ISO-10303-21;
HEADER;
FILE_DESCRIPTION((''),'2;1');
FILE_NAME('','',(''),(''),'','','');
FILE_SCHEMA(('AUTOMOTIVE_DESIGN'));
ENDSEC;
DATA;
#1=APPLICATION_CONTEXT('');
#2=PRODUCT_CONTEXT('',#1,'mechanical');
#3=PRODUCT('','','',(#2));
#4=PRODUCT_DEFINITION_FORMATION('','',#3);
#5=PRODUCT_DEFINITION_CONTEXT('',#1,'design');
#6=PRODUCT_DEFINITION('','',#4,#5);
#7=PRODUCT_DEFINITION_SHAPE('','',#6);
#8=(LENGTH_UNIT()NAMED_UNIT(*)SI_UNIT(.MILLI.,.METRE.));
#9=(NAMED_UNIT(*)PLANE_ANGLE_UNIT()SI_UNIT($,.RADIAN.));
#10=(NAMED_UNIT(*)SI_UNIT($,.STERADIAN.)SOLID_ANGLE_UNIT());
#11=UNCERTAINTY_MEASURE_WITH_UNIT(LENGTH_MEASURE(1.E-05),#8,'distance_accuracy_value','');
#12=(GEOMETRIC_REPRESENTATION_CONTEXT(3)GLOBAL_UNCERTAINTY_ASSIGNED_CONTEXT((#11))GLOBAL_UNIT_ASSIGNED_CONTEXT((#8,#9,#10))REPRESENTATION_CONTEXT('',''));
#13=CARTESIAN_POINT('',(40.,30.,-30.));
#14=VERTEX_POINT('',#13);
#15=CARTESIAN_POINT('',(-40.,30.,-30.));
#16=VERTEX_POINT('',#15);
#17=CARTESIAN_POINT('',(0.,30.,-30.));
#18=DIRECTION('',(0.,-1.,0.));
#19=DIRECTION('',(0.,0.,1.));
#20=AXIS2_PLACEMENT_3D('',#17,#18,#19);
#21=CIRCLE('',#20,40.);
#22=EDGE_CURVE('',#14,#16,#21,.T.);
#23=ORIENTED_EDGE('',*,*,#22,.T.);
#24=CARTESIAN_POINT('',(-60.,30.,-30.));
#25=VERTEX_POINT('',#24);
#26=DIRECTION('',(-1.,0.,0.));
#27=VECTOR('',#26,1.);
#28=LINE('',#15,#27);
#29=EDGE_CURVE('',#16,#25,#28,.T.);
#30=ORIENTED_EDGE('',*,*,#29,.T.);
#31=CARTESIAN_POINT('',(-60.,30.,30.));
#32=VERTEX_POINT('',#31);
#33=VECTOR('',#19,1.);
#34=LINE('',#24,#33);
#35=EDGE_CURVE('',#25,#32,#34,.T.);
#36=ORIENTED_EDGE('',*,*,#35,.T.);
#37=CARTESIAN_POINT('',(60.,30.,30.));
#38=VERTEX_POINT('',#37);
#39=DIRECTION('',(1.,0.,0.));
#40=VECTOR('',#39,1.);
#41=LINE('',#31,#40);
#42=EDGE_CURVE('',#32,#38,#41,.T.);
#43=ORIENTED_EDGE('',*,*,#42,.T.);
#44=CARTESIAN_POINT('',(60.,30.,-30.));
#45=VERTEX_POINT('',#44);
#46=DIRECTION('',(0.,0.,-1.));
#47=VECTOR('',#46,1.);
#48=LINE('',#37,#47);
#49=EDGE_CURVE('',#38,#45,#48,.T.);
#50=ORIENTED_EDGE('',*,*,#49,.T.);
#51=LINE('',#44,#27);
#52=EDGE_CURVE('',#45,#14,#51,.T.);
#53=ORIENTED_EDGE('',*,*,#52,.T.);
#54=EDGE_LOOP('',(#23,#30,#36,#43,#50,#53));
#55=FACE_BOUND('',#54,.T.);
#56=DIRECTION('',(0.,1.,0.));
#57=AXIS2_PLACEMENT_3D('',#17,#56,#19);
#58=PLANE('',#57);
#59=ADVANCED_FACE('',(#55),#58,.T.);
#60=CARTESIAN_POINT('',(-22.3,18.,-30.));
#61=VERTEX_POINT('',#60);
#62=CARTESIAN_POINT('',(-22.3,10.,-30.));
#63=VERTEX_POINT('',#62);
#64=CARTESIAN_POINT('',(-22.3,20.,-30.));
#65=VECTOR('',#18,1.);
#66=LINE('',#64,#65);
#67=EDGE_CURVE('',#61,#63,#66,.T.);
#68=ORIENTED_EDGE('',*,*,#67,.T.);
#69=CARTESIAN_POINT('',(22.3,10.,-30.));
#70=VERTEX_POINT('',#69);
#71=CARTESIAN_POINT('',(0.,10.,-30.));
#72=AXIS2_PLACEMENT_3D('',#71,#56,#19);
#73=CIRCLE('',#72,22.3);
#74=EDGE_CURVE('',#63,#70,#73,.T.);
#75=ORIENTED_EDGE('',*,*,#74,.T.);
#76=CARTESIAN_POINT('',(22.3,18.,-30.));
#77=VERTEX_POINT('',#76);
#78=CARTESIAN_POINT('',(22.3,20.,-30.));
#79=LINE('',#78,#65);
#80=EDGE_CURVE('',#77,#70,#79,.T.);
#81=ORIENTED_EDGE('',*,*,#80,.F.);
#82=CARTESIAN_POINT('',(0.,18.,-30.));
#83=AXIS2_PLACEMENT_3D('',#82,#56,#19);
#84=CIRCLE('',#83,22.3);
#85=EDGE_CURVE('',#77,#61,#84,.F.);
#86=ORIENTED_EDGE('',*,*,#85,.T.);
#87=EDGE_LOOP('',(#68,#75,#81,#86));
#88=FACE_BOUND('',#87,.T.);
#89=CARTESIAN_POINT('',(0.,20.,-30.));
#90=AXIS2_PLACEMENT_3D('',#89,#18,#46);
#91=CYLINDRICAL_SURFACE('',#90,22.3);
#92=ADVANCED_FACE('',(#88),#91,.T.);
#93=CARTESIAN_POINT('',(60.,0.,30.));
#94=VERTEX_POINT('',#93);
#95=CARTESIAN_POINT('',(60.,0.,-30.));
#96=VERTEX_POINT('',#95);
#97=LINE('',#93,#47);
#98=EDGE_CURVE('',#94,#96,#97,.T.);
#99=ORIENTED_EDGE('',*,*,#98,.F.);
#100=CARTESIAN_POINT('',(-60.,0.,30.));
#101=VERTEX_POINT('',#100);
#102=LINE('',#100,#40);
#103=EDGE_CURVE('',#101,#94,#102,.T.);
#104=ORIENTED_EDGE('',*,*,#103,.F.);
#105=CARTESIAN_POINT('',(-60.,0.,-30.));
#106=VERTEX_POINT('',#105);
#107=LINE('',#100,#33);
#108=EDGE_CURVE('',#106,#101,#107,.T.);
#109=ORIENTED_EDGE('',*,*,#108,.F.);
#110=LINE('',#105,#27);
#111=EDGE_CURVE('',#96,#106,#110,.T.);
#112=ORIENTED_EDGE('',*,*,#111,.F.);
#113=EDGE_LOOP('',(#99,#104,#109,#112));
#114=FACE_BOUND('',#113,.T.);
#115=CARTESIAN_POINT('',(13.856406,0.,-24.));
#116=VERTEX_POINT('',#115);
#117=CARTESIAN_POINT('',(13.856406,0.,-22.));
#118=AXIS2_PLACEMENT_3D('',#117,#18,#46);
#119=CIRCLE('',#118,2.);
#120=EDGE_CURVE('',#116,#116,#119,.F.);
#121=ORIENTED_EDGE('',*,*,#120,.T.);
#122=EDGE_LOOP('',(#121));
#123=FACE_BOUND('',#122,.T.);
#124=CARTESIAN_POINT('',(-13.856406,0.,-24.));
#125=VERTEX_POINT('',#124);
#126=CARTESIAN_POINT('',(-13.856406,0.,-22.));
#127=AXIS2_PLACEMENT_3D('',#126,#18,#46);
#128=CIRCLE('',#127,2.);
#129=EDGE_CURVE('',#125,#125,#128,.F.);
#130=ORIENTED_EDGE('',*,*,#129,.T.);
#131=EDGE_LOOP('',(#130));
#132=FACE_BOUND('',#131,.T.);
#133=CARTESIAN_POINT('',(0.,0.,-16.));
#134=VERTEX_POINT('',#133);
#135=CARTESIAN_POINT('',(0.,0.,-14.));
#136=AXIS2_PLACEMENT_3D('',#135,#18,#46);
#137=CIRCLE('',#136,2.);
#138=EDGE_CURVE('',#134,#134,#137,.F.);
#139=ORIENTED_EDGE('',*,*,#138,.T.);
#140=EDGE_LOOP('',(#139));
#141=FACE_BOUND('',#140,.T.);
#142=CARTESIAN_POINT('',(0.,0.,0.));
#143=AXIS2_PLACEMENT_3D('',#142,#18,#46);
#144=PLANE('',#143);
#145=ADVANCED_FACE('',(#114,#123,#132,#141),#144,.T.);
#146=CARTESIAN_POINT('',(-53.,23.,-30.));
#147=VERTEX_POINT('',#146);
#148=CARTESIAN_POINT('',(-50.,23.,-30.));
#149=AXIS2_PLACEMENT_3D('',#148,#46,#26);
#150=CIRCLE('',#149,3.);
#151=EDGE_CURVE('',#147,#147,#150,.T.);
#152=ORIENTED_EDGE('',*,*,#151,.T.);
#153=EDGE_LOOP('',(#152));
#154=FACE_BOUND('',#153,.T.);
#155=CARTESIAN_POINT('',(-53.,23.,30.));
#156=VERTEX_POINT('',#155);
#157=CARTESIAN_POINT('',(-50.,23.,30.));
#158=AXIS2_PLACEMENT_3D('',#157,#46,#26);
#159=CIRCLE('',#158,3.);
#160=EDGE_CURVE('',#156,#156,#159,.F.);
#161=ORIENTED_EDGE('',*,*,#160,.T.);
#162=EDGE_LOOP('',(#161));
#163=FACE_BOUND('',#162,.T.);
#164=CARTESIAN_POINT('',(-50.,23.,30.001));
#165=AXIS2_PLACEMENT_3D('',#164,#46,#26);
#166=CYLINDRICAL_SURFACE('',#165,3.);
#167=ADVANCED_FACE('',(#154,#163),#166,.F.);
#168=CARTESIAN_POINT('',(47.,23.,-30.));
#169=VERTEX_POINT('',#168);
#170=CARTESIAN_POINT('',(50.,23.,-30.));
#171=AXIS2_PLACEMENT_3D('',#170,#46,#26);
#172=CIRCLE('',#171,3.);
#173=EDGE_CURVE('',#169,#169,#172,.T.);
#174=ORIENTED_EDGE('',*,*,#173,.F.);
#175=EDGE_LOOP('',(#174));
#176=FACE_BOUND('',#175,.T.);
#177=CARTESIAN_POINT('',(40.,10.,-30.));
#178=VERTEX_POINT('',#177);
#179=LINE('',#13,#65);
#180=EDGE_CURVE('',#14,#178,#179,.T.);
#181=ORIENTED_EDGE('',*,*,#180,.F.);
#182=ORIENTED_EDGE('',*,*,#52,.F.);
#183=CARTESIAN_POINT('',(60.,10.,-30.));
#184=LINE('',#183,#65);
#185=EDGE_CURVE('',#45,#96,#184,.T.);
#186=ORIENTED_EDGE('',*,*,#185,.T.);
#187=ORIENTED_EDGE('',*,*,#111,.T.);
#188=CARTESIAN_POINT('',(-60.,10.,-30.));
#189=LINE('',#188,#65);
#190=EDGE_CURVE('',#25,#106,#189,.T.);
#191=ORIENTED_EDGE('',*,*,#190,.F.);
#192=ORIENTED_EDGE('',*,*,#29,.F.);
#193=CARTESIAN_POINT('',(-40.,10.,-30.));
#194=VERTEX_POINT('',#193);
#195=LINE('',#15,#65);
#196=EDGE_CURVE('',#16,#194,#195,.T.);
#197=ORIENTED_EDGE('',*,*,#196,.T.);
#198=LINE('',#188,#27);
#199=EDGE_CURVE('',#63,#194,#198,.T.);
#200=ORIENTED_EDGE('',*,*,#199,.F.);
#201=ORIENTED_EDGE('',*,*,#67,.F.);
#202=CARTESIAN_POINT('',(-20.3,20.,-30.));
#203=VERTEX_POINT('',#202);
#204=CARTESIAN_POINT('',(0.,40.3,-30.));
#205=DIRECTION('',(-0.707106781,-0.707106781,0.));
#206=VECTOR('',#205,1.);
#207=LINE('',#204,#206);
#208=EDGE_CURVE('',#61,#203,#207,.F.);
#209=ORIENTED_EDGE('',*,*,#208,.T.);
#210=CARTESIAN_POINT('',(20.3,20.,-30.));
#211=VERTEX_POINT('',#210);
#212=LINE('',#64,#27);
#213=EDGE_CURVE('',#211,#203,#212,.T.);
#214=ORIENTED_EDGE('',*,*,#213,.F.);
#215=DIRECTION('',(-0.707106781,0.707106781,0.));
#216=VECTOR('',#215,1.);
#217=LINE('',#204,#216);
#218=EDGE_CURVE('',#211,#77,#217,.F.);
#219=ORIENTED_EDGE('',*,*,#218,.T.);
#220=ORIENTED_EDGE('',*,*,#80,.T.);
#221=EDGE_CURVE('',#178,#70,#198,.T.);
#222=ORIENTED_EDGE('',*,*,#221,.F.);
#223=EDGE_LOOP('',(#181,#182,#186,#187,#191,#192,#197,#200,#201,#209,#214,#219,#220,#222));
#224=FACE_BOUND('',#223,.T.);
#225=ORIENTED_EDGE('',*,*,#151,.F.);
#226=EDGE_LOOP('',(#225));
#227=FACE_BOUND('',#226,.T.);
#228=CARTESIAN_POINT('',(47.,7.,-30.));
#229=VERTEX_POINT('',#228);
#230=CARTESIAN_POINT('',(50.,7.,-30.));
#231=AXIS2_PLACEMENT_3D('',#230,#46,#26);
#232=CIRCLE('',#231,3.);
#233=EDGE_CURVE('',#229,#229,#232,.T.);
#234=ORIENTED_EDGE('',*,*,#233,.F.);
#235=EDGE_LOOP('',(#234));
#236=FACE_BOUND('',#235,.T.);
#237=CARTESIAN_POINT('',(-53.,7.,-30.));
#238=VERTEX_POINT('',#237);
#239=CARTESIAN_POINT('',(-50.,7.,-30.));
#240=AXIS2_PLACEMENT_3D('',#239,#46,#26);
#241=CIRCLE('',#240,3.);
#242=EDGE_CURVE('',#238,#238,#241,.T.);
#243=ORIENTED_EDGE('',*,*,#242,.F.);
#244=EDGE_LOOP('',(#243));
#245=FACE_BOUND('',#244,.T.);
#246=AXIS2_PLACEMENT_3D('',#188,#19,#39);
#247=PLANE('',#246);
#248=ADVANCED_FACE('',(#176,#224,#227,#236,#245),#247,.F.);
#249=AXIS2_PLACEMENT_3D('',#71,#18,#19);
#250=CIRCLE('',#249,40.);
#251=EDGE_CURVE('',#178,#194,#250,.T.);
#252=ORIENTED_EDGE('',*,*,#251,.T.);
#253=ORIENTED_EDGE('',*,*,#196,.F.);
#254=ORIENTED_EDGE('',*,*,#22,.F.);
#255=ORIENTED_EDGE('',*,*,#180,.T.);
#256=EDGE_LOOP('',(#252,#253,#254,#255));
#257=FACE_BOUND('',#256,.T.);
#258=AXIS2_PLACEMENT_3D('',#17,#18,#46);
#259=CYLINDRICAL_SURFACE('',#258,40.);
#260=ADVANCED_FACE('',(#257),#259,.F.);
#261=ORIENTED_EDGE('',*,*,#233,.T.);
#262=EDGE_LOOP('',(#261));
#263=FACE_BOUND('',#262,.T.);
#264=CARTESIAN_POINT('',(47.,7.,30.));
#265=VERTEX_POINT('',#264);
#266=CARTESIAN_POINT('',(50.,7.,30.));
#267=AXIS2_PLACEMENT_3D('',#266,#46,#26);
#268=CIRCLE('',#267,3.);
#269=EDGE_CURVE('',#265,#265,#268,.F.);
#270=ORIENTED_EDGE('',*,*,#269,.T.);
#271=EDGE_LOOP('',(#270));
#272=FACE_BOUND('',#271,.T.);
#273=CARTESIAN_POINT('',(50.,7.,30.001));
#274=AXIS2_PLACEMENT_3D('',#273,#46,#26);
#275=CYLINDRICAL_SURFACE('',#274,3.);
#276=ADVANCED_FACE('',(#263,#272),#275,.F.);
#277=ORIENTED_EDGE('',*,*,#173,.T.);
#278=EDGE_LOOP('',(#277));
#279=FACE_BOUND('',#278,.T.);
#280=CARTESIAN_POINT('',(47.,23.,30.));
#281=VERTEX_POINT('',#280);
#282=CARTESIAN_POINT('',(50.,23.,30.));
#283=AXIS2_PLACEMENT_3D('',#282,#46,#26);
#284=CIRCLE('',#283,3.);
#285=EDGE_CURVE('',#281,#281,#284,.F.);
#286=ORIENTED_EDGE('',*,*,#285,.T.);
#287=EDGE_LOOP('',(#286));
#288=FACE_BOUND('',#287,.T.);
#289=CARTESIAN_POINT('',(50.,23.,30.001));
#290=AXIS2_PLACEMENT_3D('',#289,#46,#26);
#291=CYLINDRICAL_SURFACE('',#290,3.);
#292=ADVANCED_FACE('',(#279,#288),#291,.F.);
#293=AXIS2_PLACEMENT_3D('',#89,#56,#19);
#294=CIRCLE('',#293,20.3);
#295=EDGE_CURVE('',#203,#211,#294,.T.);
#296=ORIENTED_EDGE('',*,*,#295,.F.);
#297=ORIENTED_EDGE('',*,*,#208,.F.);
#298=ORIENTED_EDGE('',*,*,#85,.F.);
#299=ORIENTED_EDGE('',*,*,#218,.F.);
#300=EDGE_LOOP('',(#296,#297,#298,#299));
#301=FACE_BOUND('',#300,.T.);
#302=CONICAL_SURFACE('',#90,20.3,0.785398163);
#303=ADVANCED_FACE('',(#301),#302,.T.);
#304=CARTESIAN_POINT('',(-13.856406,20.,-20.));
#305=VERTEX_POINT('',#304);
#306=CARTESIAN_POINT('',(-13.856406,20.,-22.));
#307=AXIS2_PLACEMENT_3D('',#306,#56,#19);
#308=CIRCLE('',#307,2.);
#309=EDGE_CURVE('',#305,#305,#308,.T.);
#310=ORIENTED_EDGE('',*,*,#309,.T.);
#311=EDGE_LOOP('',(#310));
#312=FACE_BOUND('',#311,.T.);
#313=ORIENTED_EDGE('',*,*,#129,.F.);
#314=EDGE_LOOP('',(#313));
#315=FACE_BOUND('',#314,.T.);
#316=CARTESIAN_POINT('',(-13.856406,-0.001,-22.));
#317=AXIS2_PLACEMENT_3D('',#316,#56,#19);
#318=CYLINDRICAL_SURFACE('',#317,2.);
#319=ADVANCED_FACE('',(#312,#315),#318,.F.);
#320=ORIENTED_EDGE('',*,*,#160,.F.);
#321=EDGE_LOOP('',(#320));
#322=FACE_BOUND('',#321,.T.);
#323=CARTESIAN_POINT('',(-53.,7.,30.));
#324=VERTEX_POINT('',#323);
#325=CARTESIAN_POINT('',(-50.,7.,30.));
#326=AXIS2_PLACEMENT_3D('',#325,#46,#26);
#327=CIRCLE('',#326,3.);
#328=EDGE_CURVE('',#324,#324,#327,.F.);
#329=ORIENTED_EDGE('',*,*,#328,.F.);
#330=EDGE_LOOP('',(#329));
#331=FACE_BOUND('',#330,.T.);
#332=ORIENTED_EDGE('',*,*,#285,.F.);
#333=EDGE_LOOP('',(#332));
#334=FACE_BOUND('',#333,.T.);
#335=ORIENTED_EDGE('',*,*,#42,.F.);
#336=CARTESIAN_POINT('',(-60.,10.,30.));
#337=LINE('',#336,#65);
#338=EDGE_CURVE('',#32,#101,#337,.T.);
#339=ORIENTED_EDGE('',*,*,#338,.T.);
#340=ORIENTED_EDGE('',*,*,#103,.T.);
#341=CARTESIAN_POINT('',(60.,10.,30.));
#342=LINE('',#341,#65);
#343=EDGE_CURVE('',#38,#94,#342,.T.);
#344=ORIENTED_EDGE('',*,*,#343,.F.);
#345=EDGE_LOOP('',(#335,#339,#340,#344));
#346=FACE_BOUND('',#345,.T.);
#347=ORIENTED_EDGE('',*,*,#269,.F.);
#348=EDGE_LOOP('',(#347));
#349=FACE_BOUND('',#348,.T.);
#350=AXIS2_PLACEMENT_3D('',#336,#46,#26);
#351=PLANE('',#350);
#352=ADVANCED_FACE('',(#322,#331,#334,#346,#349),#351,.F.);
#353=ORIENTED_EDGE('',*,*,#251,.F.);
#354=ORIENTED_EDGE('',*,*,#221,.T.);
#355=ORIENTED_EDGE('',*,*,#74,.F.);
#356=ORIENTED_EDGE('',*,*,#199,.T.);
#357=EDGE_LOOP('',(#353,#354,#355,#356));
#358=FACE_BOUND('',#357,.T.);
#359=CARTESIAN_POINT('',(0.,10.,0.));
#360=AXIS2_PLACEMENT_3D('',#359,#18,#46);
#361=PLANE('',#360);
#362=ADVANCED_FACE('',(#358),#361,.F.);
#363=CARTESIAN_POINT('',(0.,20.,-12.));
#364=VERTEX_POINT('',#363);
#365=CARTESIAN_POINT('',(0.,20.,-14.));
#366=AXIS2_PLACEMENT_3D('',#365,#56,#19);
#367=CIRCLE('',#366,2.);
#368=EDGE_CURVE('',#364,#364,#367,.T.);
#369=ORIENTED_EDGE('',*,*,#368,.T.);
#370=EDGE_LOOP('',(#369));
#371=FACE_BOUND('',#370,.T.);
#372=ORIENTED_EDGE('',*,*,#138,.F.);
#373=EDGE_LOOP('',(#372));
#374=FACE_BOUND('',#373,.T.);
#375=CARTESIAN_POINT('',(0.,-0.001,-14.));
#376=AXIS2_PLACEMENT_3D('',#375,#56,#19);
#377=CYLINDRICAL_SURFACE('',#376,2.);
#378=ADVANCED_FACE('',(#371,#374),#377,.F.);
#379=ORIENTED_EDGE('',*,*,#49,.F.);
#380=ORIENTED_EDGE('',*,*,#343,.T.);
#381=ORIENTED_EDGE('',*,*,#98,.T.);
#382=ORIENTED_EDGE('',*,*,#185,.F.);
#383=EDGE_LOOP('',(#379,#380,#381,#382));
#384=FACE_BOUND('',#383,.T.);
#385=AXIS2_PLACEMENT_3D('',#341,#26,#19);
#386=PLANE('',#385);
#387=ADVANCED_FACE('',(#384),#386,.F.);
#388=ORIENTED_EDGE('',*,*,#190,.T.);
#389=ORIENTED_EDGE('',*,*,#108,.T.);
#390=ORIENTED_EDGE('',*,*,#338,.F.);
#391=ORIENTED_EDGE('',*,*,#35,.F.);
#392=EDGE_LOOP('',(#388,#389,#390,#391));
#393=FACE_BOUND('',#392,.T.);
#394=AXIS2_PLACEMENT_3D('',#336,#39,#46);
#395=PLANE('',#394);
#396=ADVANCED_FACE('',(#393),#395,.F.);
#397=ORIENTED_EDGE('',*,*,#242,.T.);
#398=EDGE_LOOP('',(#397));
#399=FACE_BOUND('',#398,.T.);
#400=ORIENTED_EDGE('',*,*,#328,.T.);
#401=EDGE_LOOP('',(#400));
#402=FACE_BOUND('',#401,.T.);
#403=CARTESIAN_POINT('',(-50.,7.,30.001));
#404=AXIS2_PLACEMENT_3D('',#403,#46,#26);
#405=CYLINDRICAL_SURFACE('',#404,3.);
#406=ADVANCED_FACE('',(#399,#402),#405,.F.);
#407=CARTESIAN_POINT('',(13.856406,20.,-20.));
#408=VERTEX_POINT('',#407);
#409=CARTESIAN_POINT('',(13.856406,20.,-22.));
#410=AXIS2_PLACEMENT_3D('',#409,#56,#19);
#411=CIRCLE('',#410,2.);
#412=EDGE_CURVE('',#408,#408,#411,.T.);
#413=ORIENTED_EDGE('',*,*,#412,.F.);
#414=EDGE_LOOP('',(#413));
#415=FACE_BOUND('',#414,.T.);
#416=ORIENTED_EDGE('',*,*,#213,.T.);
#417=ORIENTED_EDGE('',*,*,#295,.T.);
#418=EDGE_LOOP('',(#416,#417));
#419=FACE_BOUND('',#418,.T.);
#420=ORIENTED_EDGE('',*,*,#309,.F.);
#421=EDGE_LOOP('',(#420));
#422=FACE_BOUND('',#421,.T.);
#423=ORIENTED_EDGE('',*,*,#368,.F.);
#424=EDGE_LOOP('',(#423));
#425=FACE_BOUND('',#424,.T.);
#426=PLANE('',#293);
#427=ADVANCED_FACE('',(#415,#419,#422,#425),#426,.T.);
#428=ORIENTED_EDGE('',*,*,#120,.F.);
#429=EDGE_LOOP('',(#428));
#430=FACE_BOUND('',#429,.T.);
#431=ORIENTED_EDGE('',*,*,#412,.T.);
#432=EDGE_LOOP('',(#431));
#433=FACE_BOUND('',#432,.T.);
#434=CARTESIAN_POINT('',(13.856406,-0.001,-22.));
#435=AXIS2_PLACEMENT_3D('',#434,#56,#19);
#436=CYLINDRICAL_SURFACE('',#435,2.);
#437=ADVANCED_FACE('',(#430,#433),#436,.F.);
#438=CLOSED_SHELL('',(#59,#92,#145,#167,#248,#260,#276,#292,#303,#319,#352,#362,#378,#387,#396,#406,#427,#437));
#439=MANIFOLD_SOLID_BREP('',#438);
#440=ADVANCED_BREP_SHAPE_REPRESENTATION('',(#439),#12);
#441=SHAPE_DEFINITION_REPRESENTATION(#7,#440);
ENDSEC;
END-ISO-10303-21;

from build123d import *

# Parameters (mm, degrees)
ESQUISSE1_W             = 120
ESQUISSE1_H             = 60
BOSS_EXTRU_1_DEPTH      = 10
BOSS_EXTRU_2_DEPTH      = 20
BOSS_EXTRU_3_DEPTH      = 10
CHANFREIN1_SIZE         = 2
ENL_V_MAT_EXTRU_1_REACH = 62
ESQUISSE4_R             = 3
ENL_V_MAT_EXTRU_2_REACH = 22
ESQUISSE5_R             = 2


with BuildPart() as part:
    # Esquisse1 → Boss.-Extru.1 (new body)
    with BuildSketch(Plane(origin=(0, 0, 0), x_dir=(1, 0, 0), z_dir=(0, 1, 0))):
        Rectangle(ESQUISSE1_W, ESQUISSE1_H)
    extrude(amount=BOSS_EXTRU_1_DEPTH)

    # Esquisse2 → Boss.-Extru.2 (add)
    with BuildSketch(Plane(origin=(0, 10, 0), x_dir=(1, 0, 0), z_dir=(0, 1, 0))):
        with BuildLine():
            Line((-40, 30), (-60, 30))
            Line((-60, 30), (-60, -30))
            Line((-60, -30), (60, -30))
            Line((60, -30), (60, 30))
            Line((60, 30), (40, 30))
            ThreePointArc((40, 30), (0, -10), (-40, 30))
        make_face()
    extrude(amount=BOSS_EXTRU_2_DEPTH)

    # Esquisse3 → Boss.-Extru.3 (add)
    with BuildSketch(Plane(origin=(0, 10, 0), x_dir=(1, 0, 0), z_dir=(0, 1, 0))):
        with BuildLine():
            Line((-22.3, 30), (22.3, 30))
            ThreePointArc((22.3, 30), (0, 7.7), (-22.3, 30))
        make_face()
    extrude(amount=BOSS_EXTRU_3_DEPTH)

    # Chanfrein1
    chanfrein1_edges = [part.edges().sort_by_distance(p)[0] for p in [
        (0, 20, -7.7),
    ]]
    chamfer(chanfrein1_edges, length=CHANFREIN1_SIZE)

    # Esquisse4 → Enlèv. mat.-Extru.1 (cut, up to next)
    with BuildSketch(Plane(origin=(0, 0, -30), x_dir=(-1, 0, 0), z_dir=(0, 0, -1)), mode=Mode.PRIVATE) as enl_v_mat_extru_1_sk1:
        with Locations((-50, 23)):
            Circle(ESQUISSE4_R)
    enl_v_mat_extru_1_tool1 = extrude(enl_v_mat_extru_1_sk1.sketch, amount=-ENL_V_MAT_EXTRU_1_REACH, mode=Mode.PRIVATE) & part.part
    add(enl_v_mat_extru_1_tool1.solids().sort_by_distance((50, 23, -30))[0], mode=Mode.SUBTRACT)
    # Esquisse4 → Enlèv. mat.-Extru.1 (cut, up to next)
    with BuildSketch(Plane(origin=(0, 0, -30), x_dir=(-1, 0, 0), z_dir=(0, 0, -1)), mode=Mode.PRIVATE) as enl_v_mat_extru_1_sk2:
        with Locations((50, 23)):
            Circle(ESQUISSE4_R)
    enl_v_mat_extru_1_tool2 = extrude(enl_v_mat_extru_1_sk2.sketch, amount=-ENL_V_MAT_EXTRU_1_REACH, mode=Mode.PRIVATE) & part.part
    add(enl_v_mat_extru_1_tool2.solids().sort_by_distance((-50, 23, -30))[0], mode=Mode.SUBTRACT)
    # Esquisse4 → Enlèv. mat.-Extru.1 (cut, up to next)
    with BuildSketch(Plane(origin=(0, 0, -30), x_dir=(-1, 0, 0), z_dir=(0, 0, -1)), mode=Mode.PRIVATE) as enl_v_mat_extru_1_sk3:
        with Locations((-50, 7)):
            Circle(ESQUISSE4_R)
    enl_v_mat_extru_1_tool3 = extrude(enl_v_mat_extru_1_sk3.sketch, amount=-ENL_V_MAT_EXTRU_1_REACH, mode=Mode.PRIVATE) & part.part
    add(enl_v_mat_extru_1_tool3.solids().sort_by_distance((50, 7, -30))[0], mode=Mode.SUBTRACT)
    # Esquisse4 → Enlèv. mat.-Extru.1 (cut, up to next)
    with BuildSketch(Plane(origin=(0, 0, -30), x_dir=(-1, 0, 0), z_dir=(0, 0, -1)), mode=Mode.PRIVATE) as enl_v_mat_extru_1_sk4:
        with Locations((50, 7)):
            Circle(ESQUISSE4_R)
    enl_v_mat_extru_1_tool4 = extrude(enl_v_mat_extru_1_sk4.sketch, amount=-ENL_V_MAT_EXTRU_1_REACH, mode=Mode.PRIVATE) & part.part
    add(enl_v_mat_extru_1_tool4.solids().sort_by_distance((-50, 7, -30))[0], mode=Mode.SUBTRACT)

    # Esquisse5 → Enlèv. mat.-Extru.2 (cut, up to next)
    with BuildSketch(Plane(origin=(0, 20, 0), x_dir=(1, 0, 0), z_dir=(0, 1, 0)), mode=Mode.PRIVATE) as enl_v_mat_extru_2_sk1:
        with Locations((0, 14)):
            Circle(ESQUISSE5_R)
    enl_v_mat_extru_2_tool1 = extrude(enl_v_mat_extru_2_sk1.sketch, amount=-ENL_V_MAT_EXTRU_2_REACH, mode=Mode.PRIVATE) & part.part
    add(enl_v_mat_extru_2_tool1.solids().sort_by_distance((0, 20, -14))[0], mode=Mode.SUBTRACT)
    # Esquisse5 → Enlèv. mat.-Extru.2 (cut, up to next)
    with BuildSketch(Plane(origin=(0, 20, 0), x_dir=(1, 0, 0), z_dir=(0, 1, 0)), mode=Mode.PRIVATE) as enl_v_mat_extru_2_sk2:
        with Locations((-13.856406461, 22)):
            Circle(ESQUISSE5_R)
    enl_v_mat_extru_2_tool2 = extrude(enl_v_mat_extru_2_sk2.sketch, amount=-ENL_V_MAT_EXTRU_2_REACH, mode=Mode.PRIVATE) & part.part
    add(enl_v_mat_extru_2_tool2.solids().sort_by_distance((-13.856406, 20, -22))[0], mode=Mode.SUBTRACT)
    # Esquisse5 → Enlèv. mat.-Extru.2 (cut, up to next)
    with BuildSketch(Plane(origin=(0, 20, 0), x_dir=(1, 0, 0), z_dir=(0, 1, 0)), mode=Mode.PRIVATE) as enl_v_mat_extru_2_sk3:
        with Locations((13.856406461, 22)):
            Circle(ESQUISSE5_R)
    enl_v_mat_extru_2_tool3 = extrude(enl_v_mat_extru_2_sk3.sketch, amount=-ENL_V_MAT_EXTRU_2_REACH, mode=Mode.PRIVATE) & part.part
    add(enl_v_mat_extru_2_tool3.solids().sort_by_distance((13.856406, 20, -22))[0], mode=Mode.SUBTRACT)


solid = part.part
